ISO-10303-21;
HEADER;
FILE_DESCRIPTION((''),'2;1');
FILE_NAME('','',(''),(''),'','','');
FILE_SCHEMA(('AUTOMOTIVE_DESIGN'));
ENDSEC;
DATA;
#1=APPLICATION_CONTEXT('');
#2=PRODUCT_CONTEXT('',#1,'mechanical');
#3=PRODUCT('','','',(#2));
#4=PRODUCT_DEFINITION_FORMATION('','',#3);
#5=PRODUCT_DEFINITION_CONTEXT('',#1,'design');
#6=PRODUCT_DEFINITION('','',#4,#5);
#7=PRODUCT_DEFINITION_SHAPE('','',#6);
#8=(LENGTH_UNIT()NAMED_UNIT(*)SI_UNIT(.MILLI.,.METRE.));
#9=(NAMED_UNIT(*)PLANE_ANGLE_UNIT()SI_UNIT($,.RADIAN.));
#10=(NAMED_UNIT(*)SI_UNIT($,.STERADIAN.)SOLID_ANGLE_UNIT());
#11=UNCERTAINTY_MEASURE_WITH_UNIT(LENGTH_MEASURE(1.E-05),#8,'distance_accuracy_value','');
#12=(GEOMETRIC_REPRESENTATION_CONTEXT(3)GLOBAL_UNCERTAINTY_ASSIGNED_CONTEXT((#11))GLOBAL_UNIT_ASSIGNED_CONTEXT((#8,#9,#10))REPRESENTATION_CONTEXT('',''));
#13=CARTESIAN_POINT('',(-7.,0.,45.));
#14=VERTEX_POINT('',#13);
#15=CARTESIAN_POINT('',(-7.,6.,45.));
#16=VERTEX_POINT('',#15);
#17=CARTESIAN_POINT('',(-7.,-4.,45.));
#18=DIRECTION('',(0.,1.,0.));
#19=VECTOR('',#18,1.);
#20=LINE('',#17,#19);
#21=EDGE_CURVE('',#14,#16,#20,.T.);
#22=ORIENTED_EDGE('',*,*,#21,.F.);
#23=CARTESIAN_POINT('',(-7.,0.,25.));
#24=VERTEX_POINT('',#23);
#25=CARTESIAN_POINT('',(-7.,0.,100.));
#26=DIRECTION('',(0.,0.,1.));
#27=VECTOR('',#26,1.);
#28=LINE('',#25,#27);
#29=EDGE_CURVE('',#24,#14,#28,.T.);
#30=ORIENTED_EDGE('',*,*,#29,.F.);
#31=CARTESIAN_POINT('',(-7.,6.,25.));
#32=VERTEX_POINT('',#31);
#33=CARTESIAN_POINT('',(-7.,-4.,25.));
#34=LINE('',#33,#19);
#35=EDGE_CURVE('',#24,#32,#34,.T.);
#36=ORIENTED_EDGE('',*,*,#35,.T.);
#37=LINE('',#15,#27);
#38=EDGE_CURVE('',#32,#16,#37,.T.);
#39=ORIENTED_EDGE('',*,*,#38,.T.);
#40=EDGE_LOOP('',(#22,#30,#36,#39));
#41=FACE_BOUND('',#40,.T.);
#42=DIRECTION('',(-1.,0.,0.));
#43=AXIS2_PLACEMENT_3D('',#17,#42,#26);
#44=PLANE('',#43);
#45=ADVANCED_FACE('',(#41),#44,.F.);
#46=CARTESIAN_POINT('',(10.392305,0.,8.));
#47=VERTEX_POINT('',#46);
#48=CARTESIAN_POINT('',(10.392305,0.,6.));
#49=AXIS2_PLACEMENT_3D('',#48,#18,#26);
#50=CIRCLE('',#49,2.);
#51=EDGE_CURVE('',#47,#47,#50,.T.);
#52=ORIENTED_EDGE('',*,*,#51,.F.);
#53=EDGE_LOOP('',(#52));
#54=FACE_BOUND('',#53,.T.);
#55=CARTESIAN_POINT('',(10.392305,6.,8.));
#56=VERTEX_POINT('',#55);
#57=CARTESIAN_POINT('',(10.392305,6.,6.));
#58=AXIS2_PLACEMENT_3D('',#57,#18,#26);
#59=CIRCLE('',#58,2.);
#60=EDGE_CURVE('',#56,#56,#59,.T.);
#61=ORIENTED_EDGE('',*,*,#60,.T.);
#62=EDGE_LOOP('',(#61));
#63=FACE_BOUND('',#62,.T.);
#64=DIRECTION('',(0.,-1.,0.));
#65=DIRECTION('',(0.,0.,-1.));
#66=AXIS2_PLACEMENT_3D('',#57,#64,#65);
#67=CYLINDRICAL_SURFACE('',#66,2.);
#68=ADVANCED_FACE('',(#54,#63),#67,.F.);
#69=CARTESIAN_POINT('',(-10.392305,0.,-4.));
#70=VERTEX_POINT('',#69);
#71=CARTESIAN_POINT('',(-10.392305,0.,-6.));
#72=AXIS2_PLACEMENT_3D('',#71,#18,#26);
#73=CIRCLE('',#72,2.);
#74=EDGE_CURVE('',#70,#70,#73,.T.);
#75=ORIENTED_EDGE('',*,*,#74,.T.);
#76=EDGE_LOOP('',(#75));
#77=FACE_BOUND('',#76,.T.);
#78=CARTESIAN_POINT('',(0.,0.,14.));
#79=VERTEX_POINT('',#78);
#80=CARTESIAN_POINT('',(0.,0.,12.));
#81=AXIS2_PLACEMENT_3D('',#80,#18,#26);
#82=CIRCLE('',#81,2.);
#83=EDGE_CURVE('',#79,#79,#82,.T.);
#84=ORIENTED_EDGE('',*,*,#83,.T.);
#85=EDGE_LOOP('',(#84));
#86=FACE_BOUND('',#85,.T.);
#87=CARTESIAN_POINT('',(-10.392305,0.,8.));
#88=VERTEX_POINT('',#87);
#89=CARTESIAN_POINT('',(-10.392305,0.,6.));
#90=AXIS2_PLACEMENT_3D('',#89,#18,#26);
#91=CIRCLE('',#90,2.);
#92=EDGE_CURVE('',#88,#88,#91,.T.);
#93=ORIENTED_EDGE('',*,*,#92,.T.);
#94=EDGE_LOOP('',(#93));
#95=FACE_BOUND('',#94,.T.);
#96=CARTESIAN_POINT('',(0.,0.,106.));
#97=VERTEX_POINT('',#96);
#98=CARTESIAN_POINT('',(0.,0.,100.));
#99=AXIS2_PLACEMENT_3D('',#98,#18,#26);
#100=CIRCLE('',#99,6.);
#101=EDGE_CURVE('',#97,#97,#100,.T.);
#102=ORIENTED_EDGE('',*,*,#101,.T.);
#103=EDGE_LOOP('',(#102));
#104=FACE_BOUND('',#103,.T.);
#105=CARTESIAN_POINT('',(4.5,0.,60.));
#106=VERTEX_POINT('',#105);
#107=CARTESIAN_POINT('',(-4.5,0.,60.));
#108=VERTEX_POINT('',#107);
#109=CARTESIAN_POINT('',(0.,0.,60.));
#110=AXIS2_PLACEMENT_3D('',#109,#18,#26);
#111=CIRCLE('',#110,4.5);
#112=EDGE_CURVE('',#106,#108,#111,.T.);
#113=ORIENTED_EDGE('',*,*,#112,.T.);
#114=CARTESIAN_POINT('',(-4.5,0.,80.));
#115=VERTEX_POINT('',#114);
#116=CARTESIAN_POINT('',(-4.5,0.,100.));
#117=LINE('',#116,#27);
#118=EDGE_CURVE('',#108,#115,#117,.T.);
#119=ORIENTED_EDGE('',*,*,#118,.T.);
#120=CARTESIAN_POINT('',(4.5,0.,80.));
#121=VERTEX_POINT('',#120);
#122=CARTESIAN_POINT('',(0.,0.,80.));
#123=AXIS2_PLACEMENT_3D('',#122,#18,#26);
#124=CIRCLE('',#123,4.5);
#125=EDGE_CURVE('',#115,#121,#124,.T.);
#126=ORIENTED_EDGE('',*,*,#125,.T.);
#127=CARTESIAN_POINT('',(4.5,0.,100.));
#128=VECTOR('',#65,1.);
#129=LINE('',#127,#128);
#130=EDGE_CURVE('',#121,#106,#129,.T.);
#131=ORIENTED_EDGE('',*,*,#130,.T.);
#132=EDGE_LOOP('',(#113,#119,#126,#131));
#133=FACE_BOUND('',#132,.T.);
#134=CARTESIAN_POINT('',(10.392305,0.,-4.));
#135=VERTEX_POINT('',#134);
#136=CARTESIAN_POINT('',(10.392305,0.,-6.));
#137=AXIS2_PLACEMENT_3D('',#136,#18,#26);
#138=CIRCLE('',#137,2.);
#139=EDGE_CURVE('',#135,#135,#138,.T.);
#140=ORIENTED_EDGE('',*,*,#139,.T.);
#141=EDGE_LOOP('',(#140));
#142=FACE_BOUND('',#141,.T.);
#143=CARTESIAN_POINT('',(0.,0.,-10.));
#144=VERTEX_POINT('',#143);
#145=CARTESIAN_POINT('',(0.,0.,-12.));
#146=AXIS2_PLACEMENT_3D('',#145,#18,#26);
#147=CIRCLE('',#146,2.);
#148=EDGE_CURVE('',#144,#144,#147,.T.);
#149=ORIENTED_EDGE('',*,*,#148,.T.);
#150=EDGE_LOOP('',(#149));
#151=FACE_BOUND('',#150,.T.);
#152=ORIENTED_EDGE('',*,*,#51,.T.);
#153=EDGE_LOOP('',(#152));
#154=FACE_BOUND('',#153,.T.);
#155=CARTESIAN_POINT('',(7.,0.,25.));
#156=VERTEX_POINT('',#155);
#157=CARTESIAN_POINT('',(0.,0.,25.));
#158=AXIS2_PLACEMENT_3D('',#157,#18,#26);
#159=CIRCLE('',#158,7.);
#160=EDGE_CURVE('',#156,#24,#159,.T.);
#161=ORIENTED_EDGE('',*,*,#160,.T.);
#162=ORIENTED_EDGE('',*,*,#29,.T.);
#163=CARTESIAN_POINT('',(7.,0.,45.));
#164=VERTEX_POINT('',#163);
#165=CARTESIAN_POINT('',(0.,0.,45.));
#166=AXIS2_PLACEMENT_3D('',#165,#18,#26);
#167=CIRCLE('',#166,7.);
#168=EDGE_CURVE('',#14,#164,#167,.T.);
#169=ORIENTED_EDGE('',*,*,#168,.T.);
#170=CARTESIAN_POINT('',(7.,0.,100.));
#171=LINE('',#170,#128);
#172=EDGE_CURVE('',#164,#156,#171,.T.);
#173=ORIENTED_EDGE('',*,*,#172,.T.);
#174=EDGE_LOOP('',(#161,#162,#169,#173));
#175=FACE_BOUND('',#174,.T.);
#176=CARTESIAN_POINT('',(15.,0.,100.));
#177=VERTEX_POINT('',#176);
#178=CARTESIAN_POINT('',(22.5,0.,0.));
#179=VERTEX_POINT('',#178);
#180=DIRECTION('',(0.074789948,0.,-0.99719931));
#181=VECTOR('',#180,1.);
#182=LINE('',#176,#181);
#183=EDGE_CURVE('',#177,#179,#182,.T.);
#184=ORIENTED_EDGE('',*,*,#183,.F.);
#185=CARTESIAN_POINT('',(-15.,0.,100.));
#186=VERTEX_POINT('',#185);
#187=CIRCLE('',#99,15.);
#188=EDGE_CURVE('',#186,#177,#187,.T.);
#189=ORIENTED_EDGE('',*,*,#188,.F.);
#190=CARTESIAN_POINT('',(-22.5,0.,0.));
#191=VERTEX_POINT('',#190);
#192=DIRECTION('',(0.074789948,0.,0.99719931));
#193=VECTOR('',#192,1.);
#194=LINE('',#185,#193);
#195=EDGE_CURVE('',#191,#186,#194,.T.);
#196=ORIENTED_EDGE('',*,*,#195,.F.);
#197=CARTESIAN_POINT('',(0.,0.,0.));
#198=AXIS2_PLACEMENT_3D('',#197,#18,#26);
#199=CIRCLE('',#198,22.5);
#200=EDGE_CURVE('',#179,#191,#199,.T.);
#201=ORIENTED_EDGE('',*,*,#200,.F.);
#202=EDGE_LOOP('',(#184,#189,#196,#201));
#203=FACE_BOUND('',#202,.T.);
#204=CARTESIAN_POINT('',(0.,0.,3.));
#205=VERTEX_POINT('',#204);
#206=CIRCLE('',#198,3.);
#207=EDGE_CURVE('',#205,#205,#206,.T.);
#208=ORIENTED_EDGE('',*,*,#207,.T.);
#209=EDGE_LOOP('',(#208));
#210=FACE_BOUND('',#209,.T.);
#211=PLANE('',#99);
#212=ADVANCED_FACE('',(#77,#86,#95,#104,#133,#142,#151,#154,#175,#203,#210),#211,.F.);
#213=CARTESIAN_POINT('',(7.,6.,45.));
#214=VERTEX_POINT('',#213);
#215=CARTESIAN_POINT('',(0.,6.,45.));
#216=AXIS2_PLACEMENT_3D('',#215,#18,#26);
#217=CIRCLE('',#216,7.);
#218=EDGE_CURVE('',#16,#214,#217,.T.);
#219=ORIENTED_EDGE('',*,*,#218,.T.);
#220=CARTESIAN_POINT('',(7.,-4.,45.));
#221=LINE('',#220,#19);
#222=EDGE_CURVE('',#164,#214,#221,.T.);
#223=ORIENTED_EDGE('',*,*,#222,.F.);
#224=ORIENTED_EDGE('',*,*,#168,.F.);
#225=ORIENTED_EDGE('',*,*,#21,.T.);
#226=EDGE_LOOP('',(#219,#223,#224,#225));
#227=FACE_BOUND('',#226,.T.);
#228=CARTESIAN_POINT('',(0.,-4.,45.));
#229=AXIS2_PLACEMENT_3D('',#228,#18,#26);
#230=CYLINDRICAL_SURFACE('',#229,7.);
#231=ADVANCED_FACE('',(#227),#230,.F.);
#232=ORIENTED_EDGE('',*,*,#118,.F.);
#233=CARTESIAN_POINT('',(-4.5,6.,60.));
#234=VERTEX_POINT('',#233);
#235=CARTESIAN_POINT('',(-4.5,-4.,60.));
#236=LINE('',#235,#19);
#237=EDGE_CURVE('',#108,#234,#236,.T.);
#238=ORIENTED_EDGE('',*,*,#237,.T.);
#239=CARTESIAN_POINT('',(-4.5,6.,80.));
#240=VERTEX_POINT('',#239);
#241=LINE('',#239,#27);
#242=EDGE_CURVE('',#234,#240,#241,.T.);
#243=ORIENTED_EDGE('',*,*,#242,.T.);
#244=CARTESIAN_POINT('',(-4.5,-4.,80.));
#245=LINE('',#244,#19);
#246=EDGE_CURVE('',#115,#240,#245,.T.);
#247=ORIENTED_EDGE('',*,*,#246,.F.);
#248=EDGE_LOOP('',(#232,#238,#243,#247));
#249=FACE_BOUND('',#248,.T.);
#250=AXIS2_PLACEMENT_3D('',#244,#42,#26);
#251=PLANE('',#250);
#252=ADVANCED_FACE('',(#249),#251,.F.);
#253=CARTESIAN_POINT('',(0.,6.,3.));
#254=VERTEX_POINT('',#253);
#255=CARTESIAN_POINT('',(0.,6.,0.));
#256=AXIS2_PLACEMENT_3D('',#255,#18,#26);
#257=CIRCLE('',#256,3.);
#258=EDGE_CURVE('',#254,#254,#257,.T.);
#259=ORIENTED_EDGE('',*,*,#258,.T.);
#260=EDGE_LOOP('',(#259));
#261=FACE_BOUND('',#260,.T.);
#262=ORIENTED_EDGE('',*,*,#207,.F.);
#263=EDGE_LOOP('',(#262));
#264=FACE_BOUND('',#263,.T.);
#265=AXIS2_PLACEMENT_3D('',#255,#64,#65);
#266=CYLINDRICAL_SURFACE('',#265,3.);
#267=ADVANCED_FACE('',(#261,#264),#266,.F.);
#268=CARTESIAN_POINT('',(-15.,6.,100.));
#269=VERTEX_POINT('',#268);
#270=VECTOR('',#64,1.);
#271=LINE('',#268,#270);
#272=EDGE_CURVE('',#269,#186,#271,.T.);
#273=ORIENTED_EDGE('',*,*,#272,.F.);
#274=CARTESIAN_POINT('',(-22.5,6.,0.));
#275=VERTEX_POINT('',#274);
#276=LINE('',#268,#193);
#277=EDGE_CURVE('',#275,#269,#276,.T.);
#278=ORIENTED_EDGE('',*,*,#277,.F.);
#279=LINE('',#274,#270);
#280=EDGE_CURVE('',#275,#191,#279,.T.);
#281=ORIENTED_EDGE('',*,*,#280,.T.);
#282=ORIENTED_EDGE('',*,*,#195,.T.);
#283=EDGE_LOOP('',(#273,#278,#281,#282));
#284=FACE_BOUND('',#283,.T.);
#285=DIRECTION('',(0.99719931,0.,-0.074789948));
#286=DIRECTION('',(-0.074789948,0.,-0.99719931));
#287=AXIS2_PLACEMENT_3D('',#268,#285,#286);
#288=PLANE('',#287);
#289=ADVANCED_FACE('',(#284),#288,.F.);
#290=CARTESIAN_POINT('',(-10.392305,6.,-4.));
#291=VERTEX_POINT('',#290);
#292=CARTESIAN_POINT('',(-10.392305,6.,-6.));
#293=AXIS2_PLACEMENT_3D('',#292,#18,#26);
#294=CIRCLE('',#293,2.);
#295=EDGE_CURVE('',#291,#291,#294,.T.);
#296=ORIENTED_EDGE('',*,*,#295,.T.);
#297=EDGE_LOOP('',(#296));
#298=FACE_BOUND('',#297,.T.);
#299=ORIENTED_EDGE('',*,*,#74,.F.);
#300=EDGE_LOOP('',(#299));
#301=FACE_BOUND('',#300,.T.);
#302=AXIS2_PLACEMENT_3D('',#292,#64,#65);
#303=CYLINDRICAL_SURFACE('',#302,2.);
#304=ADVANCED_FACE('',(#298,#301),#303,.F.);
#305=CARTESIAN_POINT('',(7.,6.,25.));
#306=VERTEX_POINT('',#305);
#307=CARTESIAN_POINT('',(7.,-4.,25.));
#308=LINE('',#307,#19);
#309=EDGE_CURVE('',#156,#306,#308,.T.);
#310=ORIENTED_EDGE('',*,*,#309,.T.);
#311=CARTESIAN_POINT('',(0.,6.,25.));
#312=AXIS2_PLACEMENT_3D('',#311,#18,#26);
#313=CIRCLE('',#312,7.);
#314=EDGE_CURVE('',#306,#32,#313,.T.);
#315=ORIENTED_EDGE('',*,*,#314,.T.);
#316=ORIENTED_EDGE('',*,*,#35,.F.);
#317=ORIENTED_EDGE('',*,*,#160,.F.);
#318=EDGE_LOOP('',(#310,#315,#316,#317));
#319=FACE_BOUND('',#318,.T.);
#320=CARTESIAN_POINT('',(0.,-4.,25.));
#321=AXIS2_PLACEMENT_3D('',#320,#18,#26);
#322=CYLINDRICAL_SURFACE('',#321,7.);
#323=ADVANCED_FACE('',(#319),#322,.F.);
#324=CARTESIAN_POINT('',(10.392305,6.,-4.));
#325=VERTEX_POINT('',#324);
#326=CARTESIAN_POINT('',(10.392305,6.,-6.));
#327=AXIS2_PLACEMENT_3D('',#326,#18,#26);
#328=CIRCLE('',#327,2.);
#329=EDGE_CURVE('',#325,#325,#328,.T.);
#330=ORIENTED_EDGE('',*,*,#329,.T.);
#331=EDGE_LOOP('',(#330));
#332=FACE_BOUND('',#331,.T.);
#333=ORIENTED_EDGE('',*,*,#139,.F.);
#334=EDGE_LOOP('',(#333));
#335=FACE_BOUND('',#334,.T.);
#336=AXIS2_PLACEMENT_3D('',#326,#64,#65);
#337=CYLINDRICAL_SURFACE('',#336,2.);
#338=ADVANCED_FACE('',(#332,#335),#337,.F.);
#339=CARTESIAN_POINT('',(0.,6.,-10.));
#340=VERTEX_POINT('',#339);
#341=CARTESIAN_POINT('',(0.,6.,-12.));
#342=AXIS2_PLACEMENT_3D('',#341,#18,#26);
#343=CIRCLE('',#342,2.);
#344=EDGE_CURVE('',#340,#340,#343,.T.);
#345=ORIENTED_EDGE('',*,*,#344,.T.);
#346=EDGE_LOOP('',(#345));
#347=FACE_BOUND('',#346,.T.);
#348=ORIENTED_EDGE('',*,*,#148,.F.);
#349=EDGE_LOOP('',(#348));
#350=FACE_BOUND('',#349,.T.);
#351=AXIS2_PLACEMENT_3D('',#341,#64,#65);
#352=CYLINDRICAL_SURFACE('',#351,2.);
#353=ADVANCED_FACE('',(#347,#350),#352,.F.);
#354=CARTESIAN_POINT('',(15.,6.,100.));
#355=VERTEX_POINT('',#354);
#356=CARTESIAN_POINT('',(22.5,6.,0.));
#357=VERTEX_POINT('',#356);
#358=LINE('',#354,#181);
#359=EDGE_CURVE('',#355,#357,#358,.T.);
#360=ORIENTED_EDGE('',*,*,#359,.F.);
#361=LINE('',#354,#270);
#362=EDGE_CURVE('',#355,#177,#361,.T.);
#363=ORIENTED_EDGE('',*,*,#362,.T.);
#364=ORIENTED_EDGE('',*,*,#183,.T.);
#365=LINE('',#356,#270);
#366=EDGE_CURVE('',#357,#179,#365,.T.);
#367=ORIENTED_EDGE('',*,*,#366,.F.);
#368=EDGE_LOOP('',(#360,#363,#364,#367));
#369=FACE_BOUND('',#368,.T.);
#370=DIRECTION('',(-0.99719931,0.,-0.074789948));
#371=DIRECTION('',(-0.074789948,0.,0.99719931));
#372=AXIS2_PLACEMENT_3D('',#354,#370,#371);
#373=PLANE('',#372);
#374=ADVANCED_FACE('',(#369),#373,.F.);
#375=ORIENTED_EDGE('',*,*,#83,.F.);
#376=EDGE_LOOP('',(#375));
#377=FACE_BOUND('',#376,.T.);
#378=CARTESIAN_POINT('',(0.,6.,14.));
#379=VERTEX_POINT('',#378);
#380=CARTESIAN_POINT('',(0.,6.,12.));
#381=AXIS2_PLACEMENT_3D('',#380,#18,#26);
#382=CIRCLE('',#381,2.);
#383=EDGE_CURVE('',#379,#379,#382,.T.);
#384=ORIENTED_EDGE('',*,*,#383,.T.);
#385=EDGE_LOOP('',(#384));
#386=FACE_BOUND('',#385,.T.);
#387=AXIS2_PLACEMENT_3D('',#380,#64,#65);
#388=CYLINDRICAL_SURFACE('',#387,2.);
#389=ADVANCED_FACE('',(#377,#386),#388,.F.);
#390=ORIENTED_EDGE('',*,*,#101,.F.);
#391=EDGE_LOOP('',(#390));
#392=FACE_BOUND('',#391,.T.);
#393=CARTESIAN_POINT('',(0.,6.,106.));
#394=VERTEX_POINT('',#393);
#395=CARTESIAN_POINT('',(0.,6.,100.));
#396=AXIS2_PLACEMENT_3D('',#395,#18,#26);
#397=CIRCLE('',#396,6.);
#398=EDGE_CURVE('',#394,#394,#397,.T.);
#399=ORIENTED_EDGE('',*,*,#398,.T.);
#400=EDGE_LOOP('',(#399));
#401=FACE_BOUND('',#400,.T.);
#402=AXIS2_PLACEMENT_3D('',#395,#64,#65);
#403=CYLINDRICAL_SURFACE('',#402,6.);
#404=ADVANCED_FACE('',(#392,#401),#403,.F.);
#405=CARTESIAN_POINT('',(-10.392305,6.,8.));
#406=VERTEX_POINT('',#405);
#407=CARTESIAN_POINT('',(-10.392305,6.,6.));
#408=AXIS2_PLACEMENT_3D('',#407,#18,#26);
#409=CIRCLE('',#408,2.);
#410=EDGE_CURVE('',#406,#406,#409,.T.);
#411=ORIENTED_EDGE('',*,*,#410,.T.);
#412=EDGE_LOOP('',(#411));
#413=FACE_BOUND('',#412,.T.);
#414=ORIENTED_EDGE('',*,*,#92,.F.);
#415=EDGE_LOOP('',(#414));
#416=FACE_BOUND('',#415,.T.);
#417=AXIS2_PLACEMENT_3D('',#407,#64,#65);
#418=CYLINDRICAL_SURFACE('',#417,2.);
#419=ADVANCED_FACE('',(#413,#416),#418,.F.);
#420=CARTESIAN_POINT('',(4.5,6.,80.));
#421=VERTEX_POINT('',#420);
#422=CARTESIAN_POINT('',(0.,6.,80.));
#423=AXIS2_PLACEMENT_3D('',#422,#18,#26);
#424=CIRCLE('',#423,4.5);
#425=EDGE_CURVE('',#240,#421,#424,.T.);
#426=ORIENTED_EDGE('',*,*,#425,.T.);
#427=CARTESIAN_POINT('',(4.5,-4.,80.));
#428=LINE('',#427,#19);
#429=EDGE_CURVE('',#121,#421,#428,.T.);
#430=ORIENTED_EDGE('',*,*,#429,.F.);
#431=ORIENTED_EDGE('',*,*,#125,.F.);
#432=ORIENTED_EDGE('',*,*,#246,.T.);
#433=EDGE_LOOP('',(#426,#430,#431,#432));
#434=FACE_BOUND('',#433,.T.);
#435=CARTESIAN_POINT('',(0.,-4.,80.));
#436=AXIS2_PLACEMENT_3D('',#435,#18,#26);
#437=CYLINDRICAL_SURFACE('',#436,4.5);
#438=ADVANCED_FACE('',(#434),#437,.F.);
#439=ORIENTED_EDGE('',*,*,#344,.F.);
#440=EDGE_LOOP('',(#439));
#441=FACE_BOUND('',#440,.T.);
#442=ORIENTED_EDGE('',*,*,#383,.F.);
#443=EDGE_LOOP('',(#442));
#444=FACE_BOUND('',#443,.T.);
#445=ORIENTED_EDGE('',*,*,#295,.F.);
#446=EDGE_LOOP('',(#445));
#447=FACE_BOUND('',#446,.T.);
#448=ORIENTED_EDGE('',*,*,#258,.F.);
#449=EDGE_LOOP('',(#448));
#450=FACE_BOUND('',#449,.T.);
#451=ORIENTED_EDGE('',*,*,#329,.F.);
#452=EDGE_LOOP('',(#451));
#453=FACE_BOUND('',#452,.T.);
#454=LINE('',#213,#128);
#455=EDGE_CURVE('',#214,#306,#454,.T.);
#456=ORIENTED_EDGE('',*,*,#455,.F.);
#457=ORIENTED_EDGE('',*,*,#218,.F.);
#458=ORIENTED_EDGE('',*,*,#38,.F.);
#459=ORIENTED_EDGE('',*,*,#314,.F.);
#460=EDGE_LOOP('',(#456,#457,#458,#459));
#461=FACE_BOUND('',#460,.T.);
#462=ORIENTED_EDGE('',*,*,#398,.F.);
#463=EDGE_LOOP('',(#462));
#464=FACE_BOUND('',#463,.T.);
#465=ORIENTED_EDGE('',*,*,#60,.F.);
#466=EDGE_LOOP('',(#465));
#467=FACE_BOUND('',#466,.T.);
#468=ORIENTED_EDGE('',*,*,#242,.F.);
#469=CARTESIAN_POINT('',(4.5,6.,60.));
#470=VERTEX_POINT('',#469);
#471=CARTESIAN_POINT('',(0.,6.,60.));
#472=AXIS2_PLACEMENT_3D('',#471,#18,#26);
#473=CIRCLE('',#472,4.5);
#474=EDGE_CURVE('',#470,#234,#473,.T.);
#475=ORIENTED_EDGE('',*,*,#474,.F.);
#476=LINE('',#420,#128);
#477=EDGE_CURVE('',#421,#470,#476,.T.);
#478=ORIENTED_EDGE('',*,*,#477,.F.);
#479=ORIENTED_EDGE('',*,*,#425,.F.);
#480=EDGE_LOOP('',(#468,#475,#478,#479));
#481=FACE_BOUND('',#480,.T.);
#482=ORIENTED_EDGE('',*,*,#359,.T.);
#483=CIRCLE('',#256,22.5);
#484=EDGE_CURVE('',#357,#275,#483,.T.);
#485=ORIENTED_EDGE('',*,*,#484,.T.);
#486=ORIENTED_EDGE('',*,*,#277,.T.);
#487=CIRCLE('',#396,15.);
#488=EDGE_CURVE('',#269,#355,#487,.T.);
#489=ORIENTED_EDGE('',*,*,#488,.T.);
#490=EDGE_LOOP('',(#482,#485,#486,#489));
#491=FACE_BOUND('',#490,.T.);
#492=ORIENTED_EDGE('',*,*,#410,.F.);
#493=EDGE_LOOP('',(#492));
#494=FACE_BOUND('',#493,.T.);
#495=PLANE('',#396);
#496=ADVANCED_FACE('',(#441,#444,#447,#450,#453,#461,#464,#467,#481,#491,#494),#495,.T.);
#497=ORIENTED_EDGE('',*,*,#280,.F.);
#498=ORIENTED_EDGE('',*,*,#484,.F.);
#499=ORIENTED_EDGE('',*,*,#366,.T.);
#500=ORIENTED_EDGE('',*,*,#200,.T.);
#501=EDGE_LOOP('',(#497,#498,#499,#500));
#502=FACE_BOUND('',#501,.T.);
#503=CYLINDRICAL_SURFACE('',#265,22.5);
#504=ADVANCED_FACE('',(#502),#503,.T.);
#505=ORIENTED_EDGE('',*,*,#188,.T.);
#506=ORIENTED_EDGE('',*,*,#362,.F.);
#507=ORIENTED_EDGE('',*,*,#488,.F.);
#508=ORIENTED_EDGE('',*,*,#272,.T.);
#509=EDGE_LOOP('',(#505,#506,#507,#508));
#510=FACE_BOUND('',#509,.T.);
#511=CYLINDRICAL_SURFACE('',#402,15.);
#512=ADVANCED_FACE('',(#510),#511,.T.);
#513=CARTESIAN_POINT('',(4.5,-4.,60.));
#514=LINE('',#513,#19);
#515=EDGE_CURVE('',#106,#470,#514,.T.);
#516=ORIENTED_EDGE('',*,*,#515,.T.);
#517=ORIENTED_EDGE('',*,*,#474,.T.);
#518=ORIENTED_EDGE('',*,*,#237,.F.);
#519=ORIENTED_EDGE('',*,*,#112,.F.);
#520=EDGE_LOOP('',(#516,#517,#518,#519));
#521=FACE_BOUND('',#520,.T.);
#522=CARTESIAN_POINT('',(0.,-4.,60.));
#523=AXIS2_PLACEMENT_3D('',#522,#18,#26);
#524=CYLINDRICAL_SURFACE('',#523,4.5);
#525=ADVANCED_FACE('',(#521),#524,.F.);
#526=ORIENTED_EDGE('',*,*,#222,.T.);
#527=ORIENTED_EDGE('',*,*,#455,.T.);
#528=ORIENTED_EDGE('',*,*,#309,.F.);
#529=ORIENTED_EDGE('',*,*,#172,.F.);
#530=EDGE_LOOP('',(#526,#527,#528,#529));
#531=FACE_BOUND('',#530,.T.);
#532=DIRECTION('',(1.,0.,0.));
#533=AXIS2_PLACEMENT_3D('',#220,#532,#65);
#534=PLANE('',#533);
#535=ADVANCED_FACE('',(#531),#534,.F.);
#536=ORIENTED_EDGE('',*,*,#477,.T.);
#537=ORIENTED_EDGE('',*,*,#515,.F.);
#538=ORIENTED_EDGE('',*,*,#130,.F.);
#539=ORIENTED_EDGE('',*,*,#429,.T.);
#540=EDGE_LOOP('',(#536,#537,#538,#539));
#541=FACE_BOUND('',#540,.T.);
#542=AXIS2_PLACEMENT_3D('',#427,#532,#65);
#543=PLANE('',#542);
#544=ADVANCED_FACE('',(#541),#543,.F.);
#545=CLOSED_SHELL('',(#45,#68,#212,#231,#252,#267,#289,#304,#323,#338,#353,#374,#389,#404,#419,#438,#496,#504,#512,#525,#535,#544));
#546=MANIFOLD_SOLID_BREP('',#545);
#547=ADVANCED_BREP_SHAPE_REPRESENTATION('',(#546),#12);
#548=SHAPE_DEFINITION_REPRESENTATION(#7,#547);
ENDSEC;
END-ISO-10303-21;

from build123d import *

# Parameters (mm, degrees)
SKETCH_1_R          = 2
SKETCH_1_R_2        = 3
SKETCH_1_R_3        = 6
EXTRUDE_1_DEPTH     = 6
CUT_EXTRUDE_1_DEPTH = 10


with BuildPart() as part:
    # 草图1 → 凸台-拉伸1 (new body)
    with BuildSketch(Plane(origin=(0, 0, 0), x_dir=(1, 0, 0), z_dir=(0, 1, 0))):
        with BuildLine():
            Line((15, -100), (22.5, 0))
            ThreePointArc((22.5, 0), (0, 22.5), (-22.5, 0))
            Line((-22.5, 0), (-15, -100))
            ThreePointArc((-15, -100), (0, -115), (15, -100))
        make_face()
        with Locations(Location((0, 12, 0), (0, 0, 270))):
            Circle(SKETCH_1_R, mode=Mode.SUBTRACT)
        with Locations(Location((10.392304845, 6, 0), (0, 0, 270))):
            Circle(SKETCH_1_R, mode=Mode.SUBTRACT)
        with Locations(Location((10.392304845, -6, 0), (0, 0, 270))):
            Circle(SKETCH_1_R, mode=Mode.SUBTRACT)
        with Locations(Location((0, -12, 0), (0, 0, 270))):
            Circle(SKETCH_1_R, mode=Mode.SUBTRACT)
        with Locations(Location((-10.392304845, -6, 0), (0, 0, 270))):
            Circle(SKETCH_1_R, mode=Mode.SUBTRACT)
        with Locations(Location((-10.392304845, 6, 0), (0, 0, 270))):
            Circle(SKETCH_1_R, mode=Mode.SUBTRACT)
        with Locations(Location((0, 0, 0), (0, 0, 270))):
            Circle(SKETCH_1_R_2, mode=Mode.SUBTRACT)
        with Locations(Location((0, -100, 0), (0, 0, 270))):
            Circle(SKETCH_1_R_3, mode=Mode.SUBTRACT)
    extrude(amount=EXTRUDE_1_DEPTH)

    # 草图2 → 切除-拉伸1 (cut)
    with BuildSketch(Plane(origin=(0, 6, 0), x_dir=(1, 0, 0), z_dir=(0, 1, 0))):
        with BuildLine():
            Line((-4.5, -80), (-4.5, -60))
            ThreePointArc((-4.5, -60), (0, -55.5), (4.5, -60))
            Line((4.5, -60), (4.5, -80))
            ThreePointArc((4.5, -80), (0, -84.5), (-4.5, -80))
        make_face()
        with BuildLine():
            Line((-7, -45), (-7, -25))
            ThreePointArc((-7, -25), (0, -18), (7, -25))
            Line((7, -25), (7, -45))
            ThreePointArc((7, -45), (0, -52), (-7, -45))
        make_face()
    extrude(amount=-CUT_EXTRUDE_1_DEPTH, mode=Mode.SUBTRACT)


solid = part.part
